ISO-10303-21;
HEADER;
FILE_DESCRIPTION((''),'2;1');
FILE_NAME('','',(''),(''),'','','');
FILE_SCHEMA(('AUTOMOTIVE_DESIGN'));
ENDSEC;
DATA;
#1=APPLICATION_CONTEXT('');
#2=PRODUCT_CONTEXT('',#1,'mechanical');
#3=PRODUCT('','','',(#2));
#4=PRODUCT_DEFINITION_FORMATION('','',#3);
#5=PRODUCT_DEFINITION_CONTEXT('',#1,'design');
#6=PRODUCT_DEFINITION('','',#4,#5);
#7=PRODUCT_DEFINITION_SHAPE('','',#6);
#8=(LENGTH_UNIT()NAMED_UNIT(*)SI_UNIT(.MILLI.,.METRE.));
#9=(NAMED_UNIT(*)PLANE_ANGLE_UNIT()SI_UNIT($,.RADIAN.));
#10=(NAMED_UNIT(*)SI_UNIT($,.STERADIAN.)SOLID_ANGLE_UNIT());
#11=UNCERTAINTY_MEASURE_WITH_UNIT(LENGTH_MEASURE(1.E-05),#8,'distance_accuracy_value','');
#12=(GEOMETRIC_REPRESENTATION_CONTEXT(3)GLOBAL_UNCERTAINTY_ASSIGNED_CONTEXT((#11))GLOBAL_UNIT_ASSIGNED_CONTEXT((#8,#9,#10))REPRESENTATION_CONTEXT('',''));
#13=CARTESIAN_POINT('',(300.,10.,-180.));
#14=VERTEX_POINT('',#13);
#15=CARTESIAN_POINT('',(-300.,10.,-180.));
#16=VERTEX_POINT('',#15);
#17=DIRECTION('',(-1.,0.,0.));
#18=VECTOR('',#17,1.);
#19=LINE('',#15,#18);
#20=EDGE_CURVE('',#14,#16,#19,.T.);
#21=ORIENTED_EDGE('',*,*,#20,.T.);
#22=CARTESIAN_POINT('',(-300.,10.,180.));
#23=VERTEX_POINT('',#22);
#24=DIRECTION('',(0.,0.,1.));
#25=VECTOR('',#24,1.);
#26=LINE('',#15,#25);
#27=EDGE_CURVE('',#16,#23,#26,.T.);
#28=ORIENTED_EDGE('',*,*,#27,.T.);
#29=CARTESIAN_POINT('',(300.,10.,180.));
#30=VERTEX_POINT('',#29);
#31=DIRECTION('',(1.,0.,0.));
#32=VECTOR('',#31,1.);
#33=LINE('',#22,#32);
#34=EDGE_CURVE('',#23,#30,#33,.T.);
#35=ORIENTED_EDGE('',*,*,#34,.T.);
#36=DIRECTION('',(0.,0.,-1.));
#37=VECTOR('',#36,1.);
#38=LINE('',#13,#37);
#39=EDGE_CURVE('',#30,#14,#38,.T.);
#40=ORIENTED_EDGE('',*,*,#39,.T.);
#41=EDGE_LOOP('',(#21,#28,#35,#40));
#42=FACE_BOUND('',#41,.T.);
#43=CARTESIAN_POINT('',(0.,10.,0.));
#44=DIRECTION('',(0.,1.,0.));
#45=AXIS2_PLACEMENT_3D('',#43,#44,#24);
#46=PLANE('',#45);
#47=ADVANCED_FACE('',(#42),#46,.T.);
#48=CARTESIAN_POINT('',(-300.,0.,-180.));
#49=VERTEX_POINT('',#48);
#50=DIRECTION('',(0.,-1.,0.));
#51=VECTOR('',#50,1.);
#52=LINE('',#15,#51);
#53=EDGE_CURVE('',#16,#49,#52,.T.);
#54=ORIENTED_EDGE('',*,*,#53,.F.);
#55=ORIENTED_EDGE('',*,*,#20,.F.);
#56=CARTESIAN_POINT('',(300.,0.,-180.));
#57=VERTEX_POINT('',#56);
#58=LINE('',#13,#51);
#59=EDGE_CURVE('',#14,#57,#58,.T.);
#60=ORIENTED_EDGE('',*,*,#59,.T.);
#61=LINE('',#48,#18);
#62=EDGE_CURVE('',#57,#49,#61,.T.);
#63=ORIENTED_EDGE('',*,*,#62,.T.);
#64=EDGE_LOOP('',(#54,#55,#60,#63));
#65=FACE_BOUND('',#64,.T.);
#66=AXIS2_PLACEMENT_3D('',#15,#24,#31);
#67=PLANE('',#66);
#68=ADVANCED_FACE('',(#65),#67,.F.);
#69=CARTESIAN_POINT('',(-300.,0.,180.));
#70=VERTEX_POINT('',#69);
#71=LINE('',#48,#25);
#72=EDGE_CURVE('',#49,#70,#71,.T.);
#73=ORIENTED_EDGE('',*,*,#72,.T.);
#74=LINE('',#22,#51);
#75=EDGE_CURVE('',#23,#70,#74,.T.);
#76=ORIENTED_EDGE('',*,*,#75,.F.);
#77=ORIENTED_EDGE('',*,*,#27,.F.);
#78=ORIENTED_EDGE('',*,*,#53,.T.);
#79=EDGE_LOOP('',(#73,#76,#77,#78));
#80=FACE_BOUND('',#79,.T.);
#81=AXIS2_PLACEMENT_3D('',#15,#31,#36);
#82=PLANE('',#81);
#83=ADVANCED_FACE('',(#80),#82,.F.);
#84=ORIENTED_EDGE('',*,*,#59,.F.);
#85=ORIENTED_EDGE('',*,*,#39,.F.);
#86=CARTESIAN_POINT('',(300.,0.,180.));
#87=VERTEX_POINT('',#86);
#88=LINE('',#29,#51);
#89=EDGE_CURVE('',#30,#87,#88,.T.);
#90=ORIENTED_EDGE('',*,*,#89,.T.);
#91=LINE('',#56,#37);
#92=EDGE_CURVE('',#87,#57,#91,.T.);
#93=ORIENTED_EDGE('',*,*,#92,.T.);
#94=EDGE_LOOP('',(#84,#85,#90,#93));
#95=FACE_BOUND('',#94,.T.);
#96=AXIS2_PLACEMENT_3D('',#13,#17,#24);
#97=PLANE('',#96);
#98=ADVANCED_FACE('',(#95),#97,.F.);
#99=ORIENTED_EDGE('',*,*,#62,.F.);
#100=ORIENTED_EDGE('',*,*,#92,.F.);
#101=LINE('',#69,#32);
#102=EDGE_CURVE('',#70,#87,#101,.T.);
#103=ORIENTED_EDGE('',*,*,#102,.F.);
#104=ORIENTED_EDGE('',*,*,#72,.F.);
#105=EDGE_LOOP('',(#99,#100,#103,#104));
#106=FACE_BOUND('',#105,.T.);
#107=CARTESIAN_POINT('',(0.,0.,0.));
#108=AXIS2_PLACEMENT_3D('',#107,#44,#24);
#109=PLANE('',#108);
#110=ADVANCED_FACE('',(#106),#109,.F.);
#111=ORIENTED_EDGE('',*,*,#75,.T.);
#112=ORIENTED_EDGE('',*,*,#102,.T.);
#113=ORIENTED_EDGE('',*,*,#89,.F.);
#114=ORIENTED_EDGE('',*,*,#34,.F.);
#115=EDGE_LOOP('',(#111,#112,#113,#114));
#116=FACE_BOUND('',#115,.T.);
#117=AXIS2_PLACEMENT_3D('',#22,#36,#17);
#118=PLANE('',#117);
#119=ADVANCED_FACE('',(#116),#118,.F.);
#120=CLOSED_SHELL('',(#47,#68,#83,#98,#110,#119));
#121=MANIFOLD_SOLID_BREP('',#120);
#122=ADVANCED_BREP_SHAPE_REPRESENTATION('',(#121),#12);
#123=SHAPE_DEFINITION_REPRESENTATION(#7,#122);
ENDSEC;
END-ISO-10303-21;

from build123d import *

# Parameters (mm, degrees)
SKETCH_1_W      = 600
SKETCH_1_H      = 360
EXTRUDE_1_DEPTH = 10


with BuildPart() as part:
    # Эскиз1 → Бобышка-Вытянуть1 (new body)
    with BuildSketch(Plane(origin=(0, 0, 0), x_dir=(1, 0, 0), z_dir=(0, 1, 0))):
        Rectangle(SKETCH_1_W, SKETCH_1_H)
    extrude(amount=EXTRUDE_1_DEPTH)


solid = part.part
